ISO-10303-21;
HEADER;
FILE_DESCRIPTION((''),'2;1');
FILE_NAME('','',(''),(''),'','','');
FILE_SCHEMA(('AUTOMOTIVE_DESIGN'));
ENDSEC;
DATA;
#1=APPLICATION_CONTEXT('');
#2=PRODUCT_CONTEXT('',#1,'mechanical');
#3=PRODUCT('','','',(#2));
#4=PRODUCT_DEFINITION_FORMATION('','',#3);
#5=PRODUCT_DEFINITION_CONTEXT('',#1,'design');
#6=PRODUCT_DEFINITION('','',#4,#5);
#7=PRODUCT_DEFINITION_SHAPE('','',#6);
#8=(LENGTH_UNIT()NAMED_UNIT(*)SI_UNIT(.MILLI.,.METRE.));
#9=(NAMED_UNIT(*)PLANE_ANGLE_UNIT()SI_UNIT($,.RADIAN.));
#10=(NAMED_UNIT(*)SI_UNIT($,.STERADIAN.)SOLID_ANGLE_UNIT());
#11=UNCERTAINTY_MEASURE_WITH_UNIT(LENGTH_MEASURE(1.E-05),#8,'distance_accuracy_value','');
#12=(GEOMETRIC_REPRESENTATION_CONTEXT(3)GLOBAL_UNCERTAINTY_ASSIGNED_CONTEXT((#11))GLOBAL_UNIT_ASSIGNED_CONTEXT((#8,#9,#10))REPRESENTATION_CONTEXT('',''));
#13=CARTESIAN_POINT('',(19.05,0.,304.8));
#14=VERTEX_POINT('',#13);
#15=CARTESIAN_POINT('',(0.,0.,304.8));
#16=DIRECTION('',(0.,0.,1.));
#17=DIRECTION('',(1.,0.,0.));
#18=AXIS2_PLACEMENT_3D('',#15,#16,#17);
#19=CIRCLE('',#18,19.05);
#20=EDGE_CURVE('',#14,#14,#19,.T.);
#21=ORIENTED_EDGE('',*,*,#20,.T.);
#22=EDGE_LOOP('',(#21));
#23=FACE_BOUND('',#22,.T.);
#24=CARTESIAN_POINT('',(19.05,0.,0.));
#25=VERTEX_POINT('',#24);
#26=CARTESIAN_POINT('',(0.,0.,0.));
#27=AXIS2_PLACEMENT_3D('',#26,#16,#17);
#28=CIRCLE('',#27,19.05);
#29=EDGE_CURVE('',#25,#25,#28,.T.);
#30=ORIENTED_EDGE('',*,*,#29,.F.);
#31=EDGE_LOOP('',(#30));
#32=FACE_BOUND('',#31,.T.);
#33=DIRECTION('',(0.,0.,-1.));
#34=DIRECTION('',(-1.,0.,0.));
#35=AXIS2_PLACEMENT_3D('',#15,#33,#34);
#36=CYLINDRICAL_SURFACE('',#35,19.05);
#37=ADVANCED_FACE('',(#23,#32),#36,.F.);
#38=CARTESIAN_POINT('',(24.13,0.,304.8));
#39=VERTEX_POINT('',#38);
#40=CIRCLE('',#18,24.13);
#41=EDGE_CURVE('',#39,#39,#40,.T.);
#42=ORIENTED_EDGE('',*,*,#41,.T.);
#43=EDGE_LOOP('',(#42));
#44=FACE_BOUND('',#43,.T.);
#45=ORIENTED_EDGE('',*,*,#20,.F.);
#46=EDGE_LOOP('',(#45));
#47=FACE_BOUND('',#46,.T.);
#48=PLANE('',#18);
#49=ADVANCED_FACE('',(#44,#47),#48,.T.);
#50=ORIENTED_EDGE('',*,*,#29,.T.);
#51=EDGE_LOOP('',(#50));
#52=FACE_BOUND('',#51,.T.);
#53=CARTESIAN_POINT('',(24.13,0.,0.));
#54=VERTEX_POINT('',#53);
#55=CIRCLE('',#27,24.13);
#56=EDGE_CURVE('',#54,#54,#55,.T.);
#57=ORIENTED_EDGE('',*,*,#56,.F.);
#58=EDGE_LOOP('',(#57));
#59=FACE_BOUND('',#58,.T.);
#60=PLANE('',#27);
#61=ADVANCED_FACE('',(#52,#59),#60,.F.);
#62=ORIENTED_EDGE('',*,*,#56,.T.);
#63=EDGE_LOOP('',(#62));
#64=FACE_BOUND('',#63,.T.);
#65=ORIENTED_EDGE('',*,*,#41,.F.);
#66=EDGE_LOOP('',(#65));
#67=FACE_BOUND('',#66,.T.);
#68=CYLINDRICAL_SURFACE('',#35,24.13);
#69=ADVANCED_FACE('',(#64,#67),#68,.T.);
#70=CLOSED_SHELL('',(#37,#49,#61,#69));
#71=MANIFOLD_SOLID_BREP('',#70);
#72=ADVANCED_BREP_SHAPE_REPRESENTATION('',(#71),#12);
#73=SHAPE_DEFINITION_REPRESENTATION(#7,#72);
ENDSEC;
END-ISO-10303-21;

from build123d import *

# Parameters (mm, degrees)
PIPESKETCH_R    = 24.13
PIPESKETCH_R_2  = 19.05
EXTRUSION_DEPTH = 304.8


with BuildPart() as part:
    # PipeSketch → Extrusion (new body)
    with BuildSketch(Plane.XY):
        Circle(PIPESKETCH_R)
        Circle(PIPESKETCH_R_2, mode=Mode.SUBTRACT)
    extrude(amount=EXTRUSION_DEPTH)


solid = part.part
